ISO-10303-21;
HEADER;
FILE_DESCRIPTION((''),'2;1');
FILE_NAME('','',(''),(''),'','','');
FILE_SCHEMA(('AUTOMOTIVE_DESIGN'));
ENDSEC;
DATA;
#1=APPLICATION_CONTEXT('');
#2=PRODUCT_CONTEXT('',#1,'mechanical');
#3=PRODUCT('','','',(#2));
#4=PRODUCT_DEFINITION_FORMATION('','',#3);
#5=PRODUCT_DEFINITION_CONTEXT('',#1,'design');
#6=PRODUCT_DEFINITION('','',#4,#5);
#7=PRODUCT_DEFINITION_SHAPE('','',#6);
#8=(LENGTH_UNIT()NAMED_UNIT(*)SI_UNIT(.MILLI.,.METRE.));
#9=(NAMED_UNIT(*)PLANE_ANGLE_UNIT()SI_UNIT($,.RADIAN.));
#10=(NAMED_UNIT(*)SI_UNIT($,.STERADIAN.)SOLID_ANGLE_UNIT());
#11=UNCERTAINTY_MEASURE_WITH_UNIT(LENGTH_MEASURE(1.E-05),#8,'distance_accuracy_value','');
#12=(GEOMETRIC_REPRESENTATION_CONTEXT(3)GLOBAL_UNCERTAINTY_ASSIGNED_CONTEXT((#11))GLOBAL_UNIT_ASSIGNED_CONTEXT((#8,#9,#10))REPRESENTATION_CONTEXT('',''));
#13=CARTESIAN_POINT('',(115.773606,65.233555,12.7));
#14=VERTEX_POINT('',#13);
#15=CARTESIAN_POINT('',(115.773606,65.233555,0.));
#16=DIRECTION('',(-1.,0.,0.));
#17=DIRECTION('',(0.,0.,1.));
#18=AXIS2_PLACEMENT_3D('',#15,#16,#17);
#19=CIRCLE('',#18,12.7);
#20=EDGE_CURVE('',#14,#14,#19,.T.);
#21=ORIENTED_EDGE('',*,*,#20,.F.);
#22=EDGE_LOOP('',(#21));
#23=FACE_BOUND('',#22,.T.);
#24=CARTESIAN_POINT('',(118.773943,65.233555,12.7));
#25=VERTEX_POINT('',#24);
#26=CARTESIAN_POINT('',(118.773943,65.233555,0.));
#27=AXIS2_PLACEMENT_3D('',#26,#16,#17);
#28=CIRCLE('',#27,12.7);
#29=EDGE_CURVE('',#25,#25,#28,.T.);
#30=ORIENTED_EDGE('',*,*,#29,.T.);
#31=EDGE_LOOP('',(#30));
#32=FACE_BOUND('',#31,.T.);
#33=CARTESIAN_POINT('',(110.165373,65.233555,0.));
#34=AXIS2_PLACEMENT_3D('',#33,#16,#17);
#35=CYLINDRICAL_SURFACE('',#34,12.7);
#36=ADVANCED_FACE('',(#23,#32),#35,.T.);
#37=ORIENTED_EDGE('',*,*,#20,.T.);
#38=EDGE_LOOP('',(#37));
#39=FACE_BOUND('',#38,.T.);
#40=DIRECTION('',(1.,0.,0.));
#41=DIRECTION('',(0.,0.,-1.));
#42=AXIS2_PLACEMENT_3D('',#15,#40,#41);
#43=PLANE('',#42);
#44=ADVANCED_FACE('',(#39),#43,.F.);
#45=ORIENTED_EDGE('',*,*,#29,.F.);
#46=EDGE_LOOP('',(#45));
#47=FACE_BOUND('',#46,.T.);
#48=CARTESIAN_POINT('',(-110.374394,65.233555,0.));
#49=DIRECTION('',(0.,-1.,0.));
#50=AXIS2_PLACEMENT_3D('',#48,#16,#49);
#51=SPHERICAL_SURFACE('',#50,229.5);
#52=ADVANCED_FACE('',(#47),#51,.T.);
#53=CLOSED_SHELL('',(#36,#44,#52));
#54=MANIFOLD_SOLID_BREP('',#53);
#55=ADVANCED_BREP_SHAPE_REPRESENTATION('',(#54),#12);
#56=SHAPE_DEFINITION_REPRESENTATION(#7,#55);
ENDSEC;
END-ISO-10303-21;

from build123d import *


with BuildPart() as part:
    # 草图1 → 旋转1 (revolve)
    with BuildSketch(Plane.XY, mode=Mode.PRIVATE) as revolve_1_sk:
        with BuildLine():
            Line((115.773606431, 65.233554926), (115.773606431, 77.933554926))
            Line((115.773606431, 77.933554926), (118.773942667, 77.933554926))
            ThreePointArc((118.773942667, 77.933554926), (119.037673644, 71.585988858), (119.125606431, 65.233554926))
            Line((119.125606431, 65.233554926), (115.773606431, 65.233554926))
        make_face()
    revolve(revolve_1_sk.sketch.rotate(Axis((110.165373228, 65.233554926, 0), (1, 0, 0)), 180), axis=Axis((110.165373228, 65.233554926, 0), (1, 0, 0)))  # turned: the seam where the file's is


solid = part.part
